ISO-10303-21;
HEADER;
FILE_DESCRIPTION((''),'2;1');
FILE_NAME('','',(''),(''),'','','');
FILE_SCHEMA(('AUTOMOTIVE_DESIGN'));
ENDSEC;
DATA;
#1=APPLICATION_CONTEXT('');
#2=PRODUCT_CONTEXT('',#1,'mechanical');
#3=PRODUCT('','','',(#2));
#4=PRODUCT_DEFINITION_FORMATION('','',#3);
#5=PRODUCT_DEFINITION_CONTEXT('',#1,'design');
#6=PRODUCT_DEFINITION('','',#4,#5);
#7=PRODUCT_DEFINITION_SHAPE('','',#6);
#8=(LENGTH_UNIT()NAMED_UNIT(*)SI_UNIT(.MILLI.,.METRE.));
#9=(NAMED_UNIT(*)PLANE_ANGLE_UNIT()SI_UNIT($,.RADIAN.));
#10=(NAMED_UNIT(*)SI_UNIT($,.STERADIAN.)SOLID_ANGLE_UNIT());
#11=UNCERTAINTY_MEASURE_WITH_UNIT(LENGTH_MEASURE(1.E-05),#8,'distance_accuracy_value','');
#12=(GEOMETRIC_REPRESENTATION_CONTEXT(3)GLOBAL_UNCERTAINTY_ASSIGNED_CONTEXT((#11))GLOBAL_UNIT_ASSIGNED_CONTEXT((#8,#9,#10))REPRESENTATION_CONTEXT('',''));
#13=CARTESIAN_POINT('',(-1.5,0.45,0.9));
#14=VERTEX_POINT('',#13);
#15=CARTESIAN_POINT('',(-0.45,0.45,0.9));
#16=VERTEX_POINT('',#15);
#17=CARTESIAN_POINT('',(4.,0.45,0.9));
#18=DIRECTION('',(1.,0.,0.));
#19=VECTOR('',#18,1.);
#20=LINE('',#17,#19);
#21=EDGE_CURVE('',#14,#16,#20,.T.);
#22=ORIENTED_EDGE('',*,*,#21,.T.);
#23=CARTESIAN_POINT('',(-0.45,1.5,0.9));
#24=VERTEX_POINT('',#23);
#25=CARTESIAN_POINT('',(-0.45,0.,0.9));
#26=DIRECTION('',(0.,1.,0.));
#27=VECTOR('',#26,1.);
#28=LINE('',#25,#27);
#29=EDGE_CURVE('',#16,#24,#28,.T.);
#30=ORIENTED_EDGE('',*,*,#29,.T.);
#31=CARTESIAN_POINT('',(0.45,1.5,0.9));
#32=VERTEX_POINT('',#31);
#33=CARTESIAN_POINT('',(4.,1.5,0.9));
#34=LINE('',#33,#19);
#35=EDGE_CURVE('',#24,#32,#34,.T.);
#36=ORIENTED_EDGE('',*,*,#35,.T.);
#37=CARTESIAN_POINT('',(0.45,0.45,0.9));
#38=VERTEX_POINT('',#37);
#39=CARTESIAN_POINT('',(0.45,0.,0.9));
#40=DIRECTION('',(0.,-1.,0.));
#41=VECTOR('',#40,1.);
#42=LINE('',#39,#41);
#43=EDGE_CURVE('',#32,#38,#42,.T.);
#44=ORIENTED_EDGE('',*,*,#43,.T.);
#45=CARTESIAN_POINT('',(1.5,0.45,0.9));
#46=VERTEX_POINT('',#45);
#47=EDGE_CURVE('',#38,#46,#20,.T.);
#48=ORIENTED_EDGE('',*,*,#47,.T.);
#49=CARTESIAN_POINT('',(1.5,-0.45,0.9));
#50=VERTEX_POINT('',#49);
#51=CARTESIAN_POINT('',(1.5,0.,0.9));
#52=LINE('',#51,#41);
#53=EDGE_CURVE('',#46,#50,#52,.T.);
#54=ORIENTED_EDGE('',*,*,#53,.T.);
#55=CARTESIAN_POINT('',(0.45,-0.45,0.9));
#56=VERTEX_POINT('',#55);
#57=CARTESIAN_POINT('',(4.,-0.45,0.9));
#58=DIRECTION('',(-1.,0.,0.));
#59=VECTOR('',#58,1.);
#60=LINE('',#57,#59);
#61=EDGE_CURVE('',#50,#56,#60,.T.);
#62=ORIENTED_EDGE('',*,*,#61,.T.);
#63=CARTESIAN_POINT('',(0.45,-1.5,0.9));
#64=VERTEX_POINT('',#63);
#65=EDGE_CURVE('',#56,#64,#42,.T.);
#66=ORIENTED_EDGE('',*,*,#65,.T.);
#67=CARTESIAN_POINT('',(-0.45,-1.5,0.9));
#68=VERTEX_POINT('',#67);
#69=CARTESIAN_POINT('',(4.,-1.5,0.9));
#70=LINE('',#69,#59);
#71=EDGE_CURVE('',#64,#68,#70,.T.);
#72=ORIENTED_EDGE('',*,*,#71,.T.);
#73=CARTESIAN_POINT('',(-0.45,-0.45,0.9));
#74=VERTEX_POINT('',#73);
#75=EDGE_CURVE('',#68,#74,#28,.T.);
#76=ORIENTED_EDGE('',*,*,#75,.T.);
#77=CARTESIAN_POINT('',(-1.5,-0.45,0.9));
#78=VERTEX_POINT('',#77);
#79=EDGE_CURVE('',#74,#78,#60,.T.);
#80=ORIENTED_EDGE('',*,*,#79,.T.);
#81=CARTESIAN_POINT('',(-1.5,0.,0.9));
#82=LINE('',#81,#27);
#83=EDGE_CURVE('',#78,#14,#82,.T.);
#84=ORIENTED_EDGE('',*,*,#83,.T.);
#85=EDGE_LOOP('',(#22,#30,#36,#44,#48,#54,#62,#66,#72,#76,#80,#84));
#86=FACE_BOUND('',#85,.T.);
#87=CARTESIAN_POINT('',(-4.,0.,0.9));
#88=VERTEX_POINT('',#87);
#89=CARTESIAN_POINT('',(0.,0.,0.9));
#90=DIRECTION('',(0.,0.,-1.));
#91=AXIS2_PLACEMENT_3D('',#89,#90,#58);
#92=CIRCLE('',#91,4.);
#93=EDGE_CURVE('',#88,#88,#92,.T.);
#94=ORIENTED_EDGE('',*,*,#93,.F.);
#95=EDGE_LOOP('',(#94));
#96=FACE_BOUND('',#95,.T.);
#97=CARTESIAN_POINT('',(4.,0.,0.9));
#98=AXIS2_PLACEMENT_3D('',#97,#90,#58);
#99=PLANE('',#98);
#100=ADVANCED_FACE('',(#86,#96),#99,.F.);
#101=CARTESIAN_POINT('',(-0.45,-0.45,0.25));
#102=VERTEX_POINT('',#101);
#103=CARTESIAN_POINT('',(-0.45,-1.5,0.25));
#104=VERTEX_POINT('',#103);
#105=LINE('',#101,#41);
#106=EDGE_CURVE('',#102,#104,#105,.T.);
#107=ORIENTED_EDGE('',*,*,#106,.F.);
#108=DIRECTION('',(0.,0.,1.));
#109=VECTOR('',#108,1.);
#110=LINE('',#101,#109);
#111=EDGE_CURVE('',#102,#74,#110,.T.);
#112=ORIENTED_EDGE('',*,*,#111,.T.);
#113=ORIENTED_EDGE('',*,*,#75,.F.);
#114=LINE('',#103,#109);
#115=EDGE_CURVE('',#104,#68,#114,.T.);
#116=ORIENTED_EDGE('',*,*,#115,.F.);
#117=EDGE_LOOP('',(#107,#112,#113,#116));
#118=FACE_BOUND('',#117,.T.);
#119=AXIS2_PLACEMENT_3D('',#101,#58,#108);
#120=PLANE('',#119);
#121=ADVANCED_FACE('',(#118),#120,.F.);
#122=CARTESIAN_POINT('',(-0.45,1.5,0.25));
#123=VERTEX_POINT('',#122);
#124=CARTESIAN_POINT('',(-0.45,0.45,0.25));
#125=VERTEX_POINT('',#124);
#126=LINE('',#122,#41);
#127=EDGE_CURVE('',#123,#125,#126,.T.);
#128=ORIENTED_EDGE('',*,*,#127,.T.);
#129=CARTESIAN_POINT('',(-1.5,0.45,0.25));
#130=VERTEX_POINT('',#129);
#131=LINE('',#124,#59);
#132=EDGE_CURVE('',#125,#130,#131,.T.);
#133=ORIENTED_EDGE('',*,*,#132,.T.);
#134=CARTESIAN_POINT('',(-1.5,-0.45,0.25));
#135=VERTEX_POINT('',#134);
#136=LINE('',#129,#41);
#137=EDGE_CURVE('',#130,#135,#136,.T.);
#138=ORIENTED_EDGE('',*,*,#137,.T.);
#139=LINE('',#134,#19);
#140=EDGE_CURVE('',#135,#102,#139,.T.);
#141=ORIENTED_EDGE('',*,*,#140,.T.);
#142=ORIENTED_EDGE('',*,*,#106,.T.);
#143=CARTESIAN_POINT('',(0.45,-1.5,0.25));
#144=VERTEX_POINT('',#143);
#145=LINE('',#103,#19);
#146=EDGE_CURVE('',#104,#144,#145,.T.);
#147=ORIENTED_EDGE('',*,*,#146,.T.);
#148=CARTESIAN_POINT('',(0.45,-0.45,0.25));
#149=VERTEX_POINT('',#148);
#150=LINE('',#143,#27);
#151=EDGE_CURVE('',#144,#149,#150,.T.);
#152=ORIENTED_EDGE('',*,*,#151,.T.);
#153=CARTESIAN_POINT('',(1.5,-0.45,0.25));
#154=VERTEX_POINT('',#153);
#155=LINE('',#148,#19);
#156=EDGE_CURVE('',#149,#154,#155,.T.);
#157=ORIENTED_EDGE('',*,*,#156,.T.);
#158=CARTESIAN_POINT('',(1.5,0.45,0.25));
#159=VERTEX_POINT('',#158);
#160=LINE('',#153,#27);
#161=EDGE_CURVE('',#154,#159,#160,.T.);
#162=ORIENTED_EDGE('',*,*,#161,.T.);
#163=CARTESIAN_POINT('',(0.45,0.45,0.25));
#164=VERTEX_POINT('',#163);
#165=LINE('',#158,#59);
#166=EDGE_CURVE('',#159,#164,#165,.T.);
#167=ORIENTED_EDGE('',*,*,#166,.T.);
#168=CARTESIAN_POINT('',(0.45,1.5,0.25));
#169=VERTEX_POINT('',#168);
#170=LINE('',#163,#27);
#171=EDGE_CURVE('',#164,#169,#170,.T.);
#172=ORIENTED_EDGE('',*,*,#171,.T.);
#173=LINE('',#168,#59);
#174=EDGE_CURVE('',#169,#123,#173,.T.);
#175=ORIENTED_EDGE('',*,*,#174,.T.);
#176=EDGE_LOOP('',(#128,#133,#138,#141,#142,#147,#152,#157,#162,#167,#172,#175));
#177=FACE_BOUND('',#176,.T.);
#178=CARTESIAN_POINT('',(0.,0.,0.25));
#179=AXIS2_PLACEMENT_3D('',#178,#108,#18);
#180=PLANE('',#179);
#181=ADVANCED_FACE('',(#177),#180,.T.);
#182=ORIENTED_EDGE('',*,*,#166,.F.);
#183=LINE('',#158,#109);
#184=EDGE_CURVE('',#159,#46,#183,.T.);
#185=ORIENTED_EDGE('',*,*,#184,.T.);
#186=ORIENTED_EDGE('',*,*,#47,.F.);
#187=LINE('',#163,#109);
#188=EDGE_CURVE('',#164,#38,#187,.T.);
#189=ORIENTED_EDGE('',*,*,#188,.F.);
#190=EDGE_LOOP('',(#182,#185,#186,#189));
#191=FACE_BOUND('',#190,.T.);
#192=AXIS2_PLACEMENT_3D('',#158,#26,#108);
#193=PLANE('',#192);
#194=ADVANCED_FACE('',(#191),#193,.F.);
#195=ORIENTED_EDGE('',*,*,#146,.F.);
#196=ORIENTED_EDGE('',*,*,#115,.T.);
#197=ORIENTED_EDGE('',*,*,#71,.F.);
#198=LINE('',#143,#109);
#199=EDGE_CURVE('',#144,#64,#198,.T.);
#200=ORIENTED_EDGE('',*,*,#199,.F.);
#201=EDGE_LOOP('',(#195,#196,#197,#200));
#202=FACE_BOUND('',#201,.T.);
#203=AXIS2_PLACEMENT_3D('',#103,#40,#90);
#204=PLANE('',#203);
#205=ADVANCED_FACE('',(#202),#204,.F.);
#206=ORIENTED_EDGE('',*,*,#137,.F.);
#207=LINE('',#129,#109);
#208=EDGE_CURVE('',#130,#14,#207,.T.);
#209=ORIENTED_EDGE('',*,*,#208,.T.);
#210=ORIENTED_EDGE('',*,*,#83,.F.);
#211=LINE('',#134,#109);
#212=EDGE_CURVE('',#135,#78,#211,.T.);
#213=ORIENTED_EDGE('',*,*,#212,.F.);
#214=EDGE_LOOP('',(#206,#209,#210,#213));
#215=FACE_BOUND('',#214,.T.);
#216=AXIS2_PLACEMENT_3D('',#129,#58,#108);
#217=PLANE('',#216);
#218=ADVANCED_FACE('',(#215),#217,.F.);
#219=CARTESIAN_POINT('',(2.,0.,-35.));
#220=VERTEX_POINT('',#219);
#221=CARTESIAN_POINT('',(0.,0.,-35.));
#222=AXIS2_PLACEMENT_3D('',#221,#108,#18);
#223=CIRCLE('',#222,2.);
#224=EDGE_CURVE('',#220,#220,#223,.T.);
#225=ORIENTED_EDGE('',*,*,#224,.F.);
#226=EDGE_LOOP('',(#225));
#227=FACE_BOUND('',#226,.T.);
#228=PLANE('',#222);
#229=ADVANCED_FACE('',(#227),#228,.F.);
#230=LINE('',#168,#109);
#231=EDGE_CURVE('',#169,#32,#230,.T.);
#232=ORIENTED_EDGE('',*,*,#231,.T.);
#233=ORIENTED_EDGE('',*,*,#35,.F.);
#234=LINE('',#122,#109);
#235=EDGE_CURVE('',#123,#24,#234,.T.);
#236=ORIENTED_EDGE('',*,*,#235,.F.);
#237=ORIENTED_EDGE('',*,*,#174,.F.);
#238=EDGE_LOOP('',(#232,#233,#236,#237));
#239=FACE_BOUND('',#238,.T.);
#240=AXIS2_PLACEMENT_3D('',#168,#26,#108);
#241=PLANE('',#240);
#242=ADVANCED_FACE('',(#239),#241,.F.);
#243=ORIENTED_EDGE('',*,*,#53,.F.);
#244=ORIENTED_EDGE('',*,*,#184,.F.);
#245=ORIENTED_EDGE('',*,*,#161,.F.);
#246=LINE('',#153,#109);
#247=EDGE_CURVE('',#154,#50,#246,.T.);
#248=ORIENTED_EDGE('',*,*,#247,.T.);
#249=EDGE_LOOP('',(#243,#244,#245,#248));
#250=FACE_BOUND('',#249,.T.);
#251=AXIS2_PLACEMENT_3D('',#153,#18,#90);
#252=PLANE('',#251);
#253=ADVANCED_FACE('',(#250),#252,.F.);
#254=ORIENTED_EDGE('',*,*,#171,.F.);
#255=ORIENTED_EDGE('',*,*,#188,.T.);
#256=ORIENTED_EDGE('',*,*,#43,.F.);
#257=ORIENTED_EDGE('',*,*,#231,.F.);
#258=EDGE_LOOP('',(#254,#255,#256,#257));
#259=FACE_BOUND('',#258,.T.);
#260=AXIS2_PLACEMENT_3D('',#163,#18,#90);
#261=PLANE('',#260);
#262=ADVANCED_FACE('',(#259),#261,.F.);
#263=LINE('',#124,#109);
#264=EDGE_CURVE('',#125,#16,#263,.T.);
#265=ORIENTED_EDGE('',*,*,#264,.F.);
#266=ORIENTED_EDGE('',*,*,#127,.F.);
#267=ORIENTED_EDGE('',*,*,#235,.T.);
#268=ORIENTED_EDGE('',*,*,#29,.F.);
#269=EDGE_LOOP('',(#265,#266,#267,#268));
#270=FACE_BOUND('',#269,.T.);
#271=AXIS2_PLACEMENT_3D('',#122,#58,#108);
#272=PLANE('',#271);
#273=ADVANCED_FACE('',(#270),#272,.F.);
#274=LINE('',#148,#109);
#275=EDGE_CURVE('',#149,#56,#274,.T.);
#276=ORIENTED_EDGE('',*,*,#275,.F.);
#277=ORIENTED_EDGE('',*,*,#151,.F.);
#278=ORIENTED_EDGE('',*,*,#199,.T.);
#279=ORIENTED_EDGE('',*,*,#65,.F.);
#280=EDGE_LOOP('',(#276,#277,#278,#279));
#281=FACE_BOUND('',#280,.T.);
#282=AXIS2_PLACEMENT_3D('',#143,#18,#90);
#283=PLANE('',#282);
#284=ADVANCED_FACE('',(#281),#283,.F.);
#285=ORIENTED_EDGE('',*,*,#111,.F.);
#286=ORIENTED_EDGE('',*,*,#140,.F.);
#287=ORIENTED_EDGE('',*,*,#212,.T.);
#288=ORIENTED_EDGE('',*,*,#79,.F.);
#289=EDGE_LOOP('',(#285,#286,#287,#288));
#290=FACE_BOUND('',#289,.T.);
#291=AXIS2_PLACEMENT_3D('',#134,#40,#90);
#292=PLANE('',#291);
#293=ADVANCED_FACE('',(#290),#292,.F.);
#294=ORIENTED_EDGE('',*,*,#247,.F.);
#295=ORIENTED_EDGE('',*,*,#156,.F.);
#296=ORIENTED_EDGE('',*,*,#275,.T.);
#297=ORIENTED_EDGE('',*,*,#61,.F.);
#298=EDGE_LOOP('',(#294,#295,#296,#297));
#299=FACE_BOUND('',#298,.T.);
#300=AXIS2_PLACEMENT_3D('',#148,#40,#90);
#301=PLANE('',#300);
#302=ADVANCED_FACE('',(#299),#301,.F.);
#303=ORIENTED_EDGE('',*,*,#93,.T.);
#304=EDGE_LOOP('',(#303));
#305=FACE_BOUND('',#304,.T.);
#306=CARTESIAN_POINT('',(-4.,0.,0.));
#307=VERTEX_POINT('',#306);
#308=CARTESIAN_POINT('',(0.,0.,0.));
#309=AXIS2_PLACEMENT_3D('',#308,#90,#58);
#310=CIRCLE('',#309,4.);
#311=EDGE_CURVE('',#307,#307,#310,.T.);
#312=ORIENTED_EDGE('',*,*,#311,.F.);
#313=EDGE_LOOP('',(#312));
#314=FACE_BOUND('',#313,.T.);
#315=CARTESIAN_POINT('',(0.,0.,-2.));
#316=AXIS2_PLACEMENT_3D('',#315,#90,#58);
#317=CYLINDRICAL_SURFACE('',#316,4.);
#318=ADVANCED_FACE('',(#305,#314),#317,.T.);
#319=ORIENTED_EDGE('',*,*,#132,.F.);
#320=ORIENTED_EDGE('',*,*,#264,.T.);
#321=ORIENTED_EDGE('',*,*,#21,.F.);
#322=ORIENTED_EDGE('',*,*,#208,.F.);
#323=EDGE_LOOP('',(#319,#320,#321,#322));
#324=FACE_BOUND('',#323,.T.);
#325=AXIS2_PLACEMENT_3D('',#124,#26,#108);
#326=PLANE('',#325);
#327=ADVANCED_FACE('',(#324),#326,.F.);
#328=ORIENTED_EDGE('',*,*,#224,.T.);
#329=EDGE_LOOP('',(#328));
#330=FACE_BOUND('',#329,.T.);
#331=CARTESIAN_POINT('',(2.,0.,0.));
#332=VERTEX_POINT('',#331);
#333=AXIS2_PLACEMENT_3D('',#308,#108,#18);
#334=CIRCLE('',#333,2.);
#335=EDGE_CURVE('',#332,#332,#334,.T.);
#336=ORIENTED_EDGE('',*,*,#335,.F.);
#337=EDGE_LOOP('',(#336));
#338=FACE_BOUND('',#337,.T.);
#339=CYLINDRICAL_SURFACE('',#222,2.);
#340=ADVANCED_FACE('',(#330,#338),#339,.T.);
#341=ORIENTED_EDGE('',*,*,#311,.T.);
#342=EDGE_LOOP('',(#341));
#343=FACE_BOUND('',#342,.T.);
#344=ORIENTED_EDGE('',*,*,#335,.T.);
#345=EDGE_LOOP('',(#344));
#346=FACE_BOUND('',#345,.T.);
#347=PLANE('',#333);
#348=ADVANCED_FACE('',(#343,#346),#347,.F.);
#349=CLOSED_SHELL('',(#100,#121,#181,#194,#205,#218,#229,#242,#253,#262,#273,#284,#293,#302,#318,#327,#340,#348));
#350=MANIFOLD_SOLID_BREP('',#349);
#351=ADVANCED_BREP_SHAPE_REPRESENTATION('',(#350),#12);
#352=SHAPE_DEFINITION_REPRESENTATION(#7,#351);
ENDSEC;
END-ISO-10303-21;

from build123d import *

# Parameters (mm, degrees)
SKETCH_1_R        = 2
EXTRUDE_198_DEPTH = 35
SKETCH_6_W        = 4
SKETCH_6_H        = 0.9
PH2_START         = 0.91
PH2_DEPTH         = 0.66


with BuildPart() as part:
    # 草图1 → Extrude 198 (new body)
    with BuildSketch(Plane.XY):
        Circle(SKETCH_1_R)
    extrude(amount=-EXTRUDE_198_DEPTH)

    # 草图6 → Revolve 324 (revolve)
    with BuildSketch(Plane(origin=(0, 0, 0), x_dir=(1, 0, 0), z_dir=(0, 1, 0)), mode=Mode.PRIVATE) as revolve_324_sk:
        with Locations((2, -0.45)):
            Rectangle(SKETCH_6_W, SKETCH_6_H)
    revolve(revolve_324_sk.sketch.rotate(Axis((0, 0, -2), (0, 0, 1)), 180), axis=Axis((0, 0, -2), (0, 0, 1)))

    # 草图7 → 十字槽_PH2_简化 (cut)
    with BuildSketch(Plane.XY.offset(PH2_START)):
        Polygon((-0.45, -1.5), (0.45, -1.5), (0.45, -0.45), (1.5, -0.45), (1.5, 0.45), (0.45, 0.45), (0.45, 1.5), (-0.45, 1.5), (-0.45, 0.45), (-1.5, 0.45), (-1.5, -0.45), (-0.45, -0.45), align=None)
    extrude(amount=-PH2_DEPTH, mode=Mode.SUBTRACT)


solid = part.part
